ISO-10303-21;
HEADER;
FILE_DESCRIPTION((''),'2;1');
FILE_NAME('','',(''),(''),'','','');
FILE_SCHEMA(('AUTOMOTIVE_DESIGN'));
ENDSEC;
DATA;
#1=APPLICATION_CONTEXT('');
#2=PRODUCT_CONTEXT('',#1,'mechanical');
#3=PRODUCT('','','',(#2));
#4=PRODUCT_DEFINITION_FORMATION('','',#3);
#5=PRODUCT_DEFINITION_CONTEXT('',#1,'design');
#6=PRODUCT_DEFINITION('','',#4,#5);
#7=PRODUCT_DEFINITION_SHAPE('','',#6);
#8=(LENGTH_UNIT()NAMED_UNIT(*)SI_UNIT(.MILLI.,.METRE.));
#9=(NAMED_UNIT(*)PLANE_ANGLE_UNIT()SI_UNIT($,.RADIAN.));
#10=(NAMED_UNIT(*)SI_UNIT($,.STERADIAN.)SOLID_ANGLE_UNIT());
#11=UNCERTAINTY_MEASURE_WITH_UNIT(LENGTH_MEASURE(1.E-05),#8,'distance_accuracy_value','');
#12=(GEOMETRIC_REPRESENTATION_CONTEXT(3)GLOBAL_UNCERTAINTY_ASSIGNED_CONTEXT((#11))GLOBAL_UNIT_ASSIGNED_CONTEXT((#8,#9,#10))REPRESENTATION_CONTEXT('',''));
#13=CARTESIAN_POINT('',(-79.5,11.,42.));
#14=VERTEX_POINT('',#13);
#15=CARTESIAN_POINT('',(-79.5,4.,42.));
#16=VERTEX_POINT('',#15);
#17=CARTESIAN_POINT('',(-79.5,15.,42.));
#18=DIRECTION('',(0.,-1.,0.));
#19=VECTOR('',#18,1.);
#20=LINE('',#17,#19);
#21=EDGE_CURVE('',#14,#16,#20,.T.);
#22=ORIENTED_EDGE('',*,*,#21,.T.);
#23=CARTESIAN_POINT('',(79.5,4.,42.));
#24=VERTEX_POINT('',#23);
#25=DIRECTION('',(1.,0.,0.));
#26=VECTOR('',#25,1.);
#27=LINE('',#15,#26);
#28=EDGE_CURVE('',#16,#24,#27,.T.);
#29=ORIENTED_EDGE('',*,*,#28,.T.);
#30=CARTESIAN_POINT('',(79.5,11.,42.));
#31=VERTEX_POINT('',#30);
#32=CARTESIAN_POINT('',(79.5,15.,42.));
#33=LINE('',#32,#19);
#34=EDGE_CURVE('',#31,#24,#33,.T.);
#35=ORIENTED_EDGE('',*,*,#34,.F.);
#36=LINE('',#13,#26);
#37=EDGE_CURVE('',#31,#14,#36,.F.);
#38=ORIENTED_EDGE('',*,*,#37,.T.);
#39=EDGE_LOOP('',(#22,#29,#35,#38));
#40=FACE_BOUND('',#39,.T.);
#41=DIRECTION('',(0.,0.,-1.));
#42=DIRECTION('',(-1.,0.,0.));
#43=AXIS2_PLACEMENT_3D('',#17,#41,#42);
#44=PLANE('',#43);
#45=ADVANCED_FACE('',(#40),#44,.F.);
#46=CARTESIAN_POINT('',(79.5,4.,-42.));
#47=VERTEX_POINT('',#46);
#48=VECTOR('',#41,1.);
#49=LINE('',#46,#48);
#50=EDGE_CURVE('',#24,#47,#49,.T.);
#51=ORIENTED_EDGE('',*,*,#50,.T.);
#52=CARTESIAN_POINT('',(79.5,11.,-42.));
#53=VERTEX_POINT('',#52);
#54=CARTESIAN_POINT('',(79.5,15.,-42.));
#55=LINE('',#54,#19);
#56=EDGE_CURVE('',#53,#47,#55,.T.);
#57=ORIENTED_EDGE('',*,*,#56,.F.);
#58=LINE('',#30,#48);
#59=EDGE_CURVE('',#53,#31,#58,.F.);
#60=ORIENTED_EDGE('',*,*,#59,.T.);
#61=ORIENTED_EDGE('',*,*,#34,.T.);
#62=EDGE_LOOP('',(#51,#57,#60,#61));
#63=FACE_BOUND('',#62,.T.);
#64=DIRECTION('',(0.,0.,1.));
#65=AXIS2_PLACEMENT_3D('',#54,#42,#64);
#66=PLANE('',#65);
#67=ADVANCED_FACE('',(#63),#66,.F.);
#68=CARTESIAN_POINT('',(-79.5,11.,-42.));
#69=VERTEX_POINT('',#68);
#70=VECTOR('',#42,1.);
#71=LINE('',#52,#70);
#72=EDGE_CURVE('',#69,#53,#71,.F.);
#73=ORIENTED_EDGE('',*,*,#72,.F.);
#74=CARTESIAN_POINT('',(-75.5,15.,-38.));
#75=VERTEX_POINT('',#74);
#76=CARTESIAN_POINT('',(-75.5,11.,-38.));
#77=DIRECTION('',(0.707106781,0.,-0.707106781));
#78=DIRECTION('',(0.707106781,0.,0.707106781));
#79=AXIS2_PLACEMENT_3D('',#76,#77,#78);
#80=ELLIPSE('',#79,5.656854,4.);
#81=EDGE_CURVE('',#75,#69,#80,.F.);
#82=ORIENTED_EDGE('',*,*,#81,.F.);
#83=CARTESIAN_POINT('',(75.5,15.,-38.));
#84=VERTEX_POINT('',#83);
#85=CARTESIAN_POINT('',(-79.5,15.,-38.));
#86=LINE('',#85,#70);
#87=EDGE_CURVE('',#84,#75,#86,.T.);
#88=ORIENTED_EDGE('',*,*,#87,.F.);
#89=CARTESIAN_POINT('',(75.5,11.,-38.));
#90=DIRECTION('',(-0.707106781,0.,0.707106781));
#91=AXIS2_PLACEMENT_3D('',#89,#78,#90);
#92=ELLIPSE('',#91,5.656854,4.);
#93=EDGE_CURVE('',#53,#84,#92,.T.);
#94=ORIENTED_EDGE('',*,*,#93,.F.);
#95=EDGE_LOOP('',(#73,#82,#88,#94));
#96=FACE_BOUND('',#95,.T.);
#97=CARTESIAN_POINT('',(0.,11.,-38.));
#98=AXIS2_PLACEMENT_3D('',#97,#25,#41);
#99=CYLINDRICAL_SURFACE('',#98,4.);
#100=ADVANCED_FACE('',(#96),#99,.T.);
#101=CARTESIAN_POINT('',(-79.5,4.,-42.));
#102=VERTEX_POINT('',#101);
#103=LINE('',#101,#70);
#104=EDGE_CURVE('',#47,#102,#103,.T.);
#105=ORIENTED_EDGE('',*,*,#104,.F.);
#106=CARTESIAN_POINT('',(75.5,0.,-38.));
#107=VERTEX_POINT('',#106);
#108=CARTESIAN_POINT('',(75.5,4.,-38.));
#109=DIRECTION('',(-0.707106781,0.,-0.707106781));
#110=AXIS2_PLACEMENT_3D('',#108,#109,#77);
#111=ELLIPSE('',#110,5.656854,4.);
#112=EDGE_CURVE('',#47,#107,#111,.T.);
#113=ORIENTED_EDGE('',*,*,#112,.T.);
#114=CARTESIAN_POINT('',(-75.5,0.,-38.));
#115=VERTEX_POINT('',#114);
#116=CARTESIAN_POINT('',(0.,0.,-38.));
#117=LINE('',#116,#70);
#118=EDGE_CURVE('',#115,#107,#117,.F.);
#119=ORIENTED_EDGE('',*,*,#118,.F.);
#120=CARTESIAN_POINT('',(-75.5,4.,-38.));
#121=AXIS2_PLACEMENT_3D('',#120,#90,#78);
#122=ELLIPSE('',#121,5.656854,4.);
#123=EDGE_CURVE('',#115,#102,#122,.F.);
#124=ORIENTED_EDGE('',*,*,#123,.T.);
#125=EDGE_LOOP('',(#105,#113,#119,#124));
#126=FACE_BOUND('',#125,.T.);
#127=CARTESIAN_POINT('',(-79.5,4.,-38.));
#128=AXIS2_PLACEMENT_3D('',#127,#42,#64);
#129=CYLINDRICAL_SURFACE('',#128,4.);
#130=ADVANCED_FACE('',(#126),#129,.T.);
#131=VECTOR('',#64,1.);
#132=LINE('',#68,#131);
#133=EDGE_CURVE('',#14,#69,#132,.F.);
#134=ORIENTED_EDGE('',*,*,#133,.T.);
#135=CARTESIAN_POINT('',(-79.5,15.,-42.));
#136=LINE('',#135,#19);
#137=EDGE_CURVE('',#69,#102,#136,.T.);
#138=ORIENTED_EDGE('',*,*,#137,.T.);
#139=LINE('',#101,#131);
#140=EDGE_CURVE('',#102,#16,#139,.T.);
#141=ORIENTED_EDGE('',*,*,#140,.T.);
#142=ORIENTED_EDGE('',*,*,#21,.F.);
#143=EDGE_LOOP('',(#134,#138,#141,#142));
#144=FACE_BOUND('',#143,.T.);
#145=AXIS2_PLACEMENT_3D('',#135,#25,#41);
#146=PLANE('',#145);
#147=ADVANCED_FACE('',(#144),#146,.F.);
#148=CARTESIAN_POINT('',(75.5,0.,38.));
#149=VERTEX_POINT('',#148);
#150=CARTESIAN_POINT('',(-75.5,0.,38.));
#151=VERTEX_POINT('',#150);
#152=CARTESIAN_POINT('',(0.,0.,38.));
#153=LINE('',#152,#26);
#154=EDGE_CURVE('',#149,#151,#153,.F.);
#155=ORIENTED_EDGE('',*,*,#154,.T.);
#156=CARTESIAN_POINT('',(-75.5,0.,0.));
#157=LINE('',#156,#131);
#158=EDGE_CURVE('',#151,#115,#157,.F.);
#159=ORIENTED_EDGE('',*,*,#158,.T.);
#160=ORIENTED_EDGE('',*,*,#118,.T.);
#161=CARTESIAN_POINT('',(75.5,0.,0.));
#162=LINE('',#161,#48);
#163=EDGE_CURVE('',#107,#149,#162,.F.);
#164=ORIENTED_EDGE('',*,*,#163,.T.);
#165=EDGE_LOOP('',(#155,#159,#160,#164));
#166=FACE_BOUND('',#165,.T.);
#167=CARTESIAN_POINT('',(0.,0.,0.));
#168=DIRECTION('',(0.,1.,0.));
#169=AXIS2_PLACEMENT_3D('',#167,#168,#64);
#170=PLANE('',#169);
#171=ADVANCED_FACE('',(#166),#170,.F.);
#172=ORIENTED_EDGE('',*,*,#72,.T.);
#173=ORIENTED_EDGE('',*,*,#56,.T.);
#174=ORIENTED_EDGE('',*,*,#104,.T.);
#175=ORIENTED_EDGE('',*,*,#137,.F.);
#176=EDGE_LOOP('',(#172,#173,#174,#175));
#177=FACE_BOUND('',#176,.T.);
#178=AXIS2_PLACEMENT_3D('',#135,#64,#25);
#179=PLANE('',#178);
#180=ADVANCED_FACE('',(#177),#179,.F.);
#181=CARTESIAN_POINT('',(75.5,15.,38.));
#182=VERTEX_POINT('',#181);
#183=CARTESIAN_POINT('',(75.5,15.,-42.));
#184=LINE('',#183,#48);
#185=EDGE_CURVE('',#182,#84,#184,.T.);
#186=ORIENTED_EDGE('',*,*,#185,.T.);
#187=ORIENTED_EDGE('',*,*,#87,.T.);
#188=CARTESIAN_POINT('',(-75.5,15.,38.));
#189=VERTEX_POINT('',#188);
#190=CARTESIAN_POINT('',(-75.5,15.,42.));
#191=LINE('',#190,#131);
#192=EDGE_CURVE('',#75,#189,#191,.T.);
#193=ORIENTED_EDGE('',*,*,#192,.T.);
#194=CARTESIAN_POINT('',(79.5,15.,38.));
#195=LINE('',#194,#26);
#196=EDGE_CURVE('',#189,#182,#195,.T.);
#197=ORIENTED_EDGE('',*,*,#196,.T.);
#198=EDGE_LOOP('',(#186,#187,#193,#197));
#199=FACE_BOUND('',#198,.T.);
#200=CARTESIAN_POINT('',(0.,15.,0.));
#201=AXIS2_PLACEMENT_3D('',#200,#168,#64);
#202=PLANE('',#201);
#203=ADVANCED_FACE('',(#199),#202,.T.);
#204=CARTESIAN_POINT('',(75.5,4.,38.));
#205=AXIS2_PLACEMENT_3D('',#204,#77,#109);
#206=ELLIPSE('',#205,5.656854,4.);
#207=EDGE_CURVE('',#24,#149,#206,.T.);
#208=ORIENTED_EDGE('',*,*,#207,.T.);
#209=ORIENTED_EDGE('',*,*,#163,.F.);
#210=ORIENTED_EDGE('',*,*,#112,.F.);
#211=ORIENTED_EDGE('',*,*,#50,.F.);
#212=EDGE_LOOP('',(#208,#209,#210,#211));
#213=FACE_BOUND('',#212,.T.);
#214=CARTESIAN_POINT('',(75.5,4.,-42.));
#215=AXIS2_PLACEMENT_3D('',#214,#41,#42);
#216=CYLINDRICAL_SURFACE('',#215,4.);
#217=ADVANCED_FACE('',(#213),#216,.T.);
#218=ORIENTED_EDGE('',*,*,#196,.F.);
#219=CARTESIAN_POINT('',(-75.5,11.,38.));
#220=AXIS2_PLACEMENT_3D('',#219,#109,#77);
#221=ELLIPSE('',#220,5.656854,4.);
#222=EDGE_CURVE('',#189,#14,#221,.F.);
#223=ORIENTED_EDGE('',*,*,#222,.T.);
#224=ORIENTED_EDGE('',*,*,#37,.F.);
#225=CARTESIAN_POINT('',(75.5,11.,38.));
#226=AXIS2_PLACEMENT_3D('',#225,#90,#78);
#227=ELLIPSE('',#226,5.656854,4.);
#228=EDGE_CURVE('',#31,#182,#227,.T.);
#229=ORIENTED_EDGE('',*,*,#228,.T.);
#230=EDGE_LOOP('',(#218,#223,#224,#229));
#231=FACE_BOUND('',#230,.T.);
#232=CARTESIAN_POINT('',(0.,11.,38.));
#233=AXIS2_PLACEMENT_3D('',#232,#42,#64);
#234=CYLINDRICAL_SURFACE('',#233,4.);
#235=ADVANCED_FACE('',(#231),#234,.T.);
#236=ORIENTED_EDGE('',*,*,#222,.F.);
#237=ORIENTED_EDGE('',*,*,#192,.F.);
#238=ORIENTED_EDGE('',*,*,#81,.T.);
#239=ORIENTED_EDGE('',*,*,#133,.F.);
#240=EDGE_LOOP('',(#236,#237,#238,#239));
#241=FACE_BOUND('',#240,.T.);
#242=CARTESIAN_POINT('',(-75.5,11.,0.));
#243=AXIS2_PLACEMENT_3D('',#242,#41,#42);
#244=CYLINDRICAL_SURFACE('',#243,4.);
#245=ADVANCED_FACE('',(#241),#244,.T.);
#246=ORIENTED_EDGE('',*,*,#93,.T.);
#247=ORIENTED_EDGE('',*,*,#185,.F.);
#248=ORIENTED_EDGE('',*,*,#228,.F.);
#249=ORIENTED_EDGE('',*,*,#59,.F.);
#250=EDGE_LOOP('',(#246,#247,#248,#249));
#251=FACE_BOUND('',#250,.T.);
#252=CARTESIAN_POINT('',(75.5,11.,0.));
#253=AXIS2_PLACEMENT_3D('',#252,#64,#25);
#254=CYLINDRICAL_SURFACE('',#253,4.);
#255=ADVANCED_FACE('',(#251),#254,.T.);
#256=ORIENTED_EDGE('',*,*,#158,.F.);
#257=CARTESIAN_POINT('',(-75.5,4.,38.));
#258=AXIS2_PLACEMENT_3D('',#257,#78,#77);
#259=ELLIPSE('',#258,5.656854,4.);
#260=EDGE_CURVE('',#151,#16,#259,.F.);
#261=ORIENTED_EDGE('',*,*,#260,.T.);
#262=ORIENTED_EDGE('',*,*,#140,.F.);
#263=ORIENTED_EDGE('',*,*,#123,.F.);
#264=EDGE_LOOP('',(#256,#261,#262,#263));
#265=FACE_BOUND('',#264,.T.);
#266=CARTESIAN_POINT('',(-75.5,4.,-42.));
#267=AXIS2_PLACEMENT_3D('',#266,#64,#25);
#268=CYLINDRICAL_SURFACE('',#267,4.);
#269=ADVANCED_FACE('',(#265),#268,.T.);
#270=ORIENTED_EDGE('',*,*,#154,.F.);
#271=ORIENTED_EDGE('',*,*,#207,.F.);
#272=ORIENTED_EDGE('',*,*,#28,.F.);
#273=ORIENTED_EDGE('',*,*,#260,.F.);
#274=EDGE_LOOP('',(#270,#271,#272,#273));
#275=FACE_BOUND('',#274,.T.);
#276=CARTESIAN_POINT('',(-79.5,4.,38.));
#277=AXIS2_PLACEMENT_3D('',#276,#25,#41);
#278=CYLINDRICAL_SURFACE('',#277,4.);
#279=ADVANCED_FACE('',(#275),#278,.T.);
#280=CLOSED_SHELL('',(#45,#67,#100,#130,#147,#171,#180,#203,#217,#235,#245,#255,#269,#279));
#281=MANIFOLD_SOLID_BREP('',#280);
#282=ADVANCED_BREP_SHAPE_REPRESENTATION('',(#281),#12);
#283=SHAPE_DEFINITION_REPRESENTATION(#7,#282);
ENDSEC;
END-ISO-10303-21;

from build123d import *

# Parameters (mm, degrees)
SKETCH1_W           = 159
SKETCH1_H           = 84
BOSS_EXTRUDE1_DEPTH = 15
FILLET1_R           = 4


with BuildPart() as part:
    # Sketch1 → Boss-Extrude1 (new body)
    with BuildSketch(Plane(origin=(0, 0, 0), x_dir=(1, 0, 0), z_dir=(0, 1, 0))):
        Rectangle(SKETCH1_W, SKETCH1_H)
    extrude(amount=BOSS_EXTRUDE1_DEPTH)

    # Fillet1
    fillet1_edges = [part.edges().sort_by_distance(p)[0] for p in [
        (-79.5, 15, 0),
        (0, 15, 42),
        (79.5, 15, 0),
        (0, 0, 42),
        (-79.5, 0, 0),
        (0, 0, -42),
        (79.5, 0, 0),
        (0, 15, -42),
    ]]
    fillet(fillet1_edges, radius=FILLET1_R)


solid = part.part
